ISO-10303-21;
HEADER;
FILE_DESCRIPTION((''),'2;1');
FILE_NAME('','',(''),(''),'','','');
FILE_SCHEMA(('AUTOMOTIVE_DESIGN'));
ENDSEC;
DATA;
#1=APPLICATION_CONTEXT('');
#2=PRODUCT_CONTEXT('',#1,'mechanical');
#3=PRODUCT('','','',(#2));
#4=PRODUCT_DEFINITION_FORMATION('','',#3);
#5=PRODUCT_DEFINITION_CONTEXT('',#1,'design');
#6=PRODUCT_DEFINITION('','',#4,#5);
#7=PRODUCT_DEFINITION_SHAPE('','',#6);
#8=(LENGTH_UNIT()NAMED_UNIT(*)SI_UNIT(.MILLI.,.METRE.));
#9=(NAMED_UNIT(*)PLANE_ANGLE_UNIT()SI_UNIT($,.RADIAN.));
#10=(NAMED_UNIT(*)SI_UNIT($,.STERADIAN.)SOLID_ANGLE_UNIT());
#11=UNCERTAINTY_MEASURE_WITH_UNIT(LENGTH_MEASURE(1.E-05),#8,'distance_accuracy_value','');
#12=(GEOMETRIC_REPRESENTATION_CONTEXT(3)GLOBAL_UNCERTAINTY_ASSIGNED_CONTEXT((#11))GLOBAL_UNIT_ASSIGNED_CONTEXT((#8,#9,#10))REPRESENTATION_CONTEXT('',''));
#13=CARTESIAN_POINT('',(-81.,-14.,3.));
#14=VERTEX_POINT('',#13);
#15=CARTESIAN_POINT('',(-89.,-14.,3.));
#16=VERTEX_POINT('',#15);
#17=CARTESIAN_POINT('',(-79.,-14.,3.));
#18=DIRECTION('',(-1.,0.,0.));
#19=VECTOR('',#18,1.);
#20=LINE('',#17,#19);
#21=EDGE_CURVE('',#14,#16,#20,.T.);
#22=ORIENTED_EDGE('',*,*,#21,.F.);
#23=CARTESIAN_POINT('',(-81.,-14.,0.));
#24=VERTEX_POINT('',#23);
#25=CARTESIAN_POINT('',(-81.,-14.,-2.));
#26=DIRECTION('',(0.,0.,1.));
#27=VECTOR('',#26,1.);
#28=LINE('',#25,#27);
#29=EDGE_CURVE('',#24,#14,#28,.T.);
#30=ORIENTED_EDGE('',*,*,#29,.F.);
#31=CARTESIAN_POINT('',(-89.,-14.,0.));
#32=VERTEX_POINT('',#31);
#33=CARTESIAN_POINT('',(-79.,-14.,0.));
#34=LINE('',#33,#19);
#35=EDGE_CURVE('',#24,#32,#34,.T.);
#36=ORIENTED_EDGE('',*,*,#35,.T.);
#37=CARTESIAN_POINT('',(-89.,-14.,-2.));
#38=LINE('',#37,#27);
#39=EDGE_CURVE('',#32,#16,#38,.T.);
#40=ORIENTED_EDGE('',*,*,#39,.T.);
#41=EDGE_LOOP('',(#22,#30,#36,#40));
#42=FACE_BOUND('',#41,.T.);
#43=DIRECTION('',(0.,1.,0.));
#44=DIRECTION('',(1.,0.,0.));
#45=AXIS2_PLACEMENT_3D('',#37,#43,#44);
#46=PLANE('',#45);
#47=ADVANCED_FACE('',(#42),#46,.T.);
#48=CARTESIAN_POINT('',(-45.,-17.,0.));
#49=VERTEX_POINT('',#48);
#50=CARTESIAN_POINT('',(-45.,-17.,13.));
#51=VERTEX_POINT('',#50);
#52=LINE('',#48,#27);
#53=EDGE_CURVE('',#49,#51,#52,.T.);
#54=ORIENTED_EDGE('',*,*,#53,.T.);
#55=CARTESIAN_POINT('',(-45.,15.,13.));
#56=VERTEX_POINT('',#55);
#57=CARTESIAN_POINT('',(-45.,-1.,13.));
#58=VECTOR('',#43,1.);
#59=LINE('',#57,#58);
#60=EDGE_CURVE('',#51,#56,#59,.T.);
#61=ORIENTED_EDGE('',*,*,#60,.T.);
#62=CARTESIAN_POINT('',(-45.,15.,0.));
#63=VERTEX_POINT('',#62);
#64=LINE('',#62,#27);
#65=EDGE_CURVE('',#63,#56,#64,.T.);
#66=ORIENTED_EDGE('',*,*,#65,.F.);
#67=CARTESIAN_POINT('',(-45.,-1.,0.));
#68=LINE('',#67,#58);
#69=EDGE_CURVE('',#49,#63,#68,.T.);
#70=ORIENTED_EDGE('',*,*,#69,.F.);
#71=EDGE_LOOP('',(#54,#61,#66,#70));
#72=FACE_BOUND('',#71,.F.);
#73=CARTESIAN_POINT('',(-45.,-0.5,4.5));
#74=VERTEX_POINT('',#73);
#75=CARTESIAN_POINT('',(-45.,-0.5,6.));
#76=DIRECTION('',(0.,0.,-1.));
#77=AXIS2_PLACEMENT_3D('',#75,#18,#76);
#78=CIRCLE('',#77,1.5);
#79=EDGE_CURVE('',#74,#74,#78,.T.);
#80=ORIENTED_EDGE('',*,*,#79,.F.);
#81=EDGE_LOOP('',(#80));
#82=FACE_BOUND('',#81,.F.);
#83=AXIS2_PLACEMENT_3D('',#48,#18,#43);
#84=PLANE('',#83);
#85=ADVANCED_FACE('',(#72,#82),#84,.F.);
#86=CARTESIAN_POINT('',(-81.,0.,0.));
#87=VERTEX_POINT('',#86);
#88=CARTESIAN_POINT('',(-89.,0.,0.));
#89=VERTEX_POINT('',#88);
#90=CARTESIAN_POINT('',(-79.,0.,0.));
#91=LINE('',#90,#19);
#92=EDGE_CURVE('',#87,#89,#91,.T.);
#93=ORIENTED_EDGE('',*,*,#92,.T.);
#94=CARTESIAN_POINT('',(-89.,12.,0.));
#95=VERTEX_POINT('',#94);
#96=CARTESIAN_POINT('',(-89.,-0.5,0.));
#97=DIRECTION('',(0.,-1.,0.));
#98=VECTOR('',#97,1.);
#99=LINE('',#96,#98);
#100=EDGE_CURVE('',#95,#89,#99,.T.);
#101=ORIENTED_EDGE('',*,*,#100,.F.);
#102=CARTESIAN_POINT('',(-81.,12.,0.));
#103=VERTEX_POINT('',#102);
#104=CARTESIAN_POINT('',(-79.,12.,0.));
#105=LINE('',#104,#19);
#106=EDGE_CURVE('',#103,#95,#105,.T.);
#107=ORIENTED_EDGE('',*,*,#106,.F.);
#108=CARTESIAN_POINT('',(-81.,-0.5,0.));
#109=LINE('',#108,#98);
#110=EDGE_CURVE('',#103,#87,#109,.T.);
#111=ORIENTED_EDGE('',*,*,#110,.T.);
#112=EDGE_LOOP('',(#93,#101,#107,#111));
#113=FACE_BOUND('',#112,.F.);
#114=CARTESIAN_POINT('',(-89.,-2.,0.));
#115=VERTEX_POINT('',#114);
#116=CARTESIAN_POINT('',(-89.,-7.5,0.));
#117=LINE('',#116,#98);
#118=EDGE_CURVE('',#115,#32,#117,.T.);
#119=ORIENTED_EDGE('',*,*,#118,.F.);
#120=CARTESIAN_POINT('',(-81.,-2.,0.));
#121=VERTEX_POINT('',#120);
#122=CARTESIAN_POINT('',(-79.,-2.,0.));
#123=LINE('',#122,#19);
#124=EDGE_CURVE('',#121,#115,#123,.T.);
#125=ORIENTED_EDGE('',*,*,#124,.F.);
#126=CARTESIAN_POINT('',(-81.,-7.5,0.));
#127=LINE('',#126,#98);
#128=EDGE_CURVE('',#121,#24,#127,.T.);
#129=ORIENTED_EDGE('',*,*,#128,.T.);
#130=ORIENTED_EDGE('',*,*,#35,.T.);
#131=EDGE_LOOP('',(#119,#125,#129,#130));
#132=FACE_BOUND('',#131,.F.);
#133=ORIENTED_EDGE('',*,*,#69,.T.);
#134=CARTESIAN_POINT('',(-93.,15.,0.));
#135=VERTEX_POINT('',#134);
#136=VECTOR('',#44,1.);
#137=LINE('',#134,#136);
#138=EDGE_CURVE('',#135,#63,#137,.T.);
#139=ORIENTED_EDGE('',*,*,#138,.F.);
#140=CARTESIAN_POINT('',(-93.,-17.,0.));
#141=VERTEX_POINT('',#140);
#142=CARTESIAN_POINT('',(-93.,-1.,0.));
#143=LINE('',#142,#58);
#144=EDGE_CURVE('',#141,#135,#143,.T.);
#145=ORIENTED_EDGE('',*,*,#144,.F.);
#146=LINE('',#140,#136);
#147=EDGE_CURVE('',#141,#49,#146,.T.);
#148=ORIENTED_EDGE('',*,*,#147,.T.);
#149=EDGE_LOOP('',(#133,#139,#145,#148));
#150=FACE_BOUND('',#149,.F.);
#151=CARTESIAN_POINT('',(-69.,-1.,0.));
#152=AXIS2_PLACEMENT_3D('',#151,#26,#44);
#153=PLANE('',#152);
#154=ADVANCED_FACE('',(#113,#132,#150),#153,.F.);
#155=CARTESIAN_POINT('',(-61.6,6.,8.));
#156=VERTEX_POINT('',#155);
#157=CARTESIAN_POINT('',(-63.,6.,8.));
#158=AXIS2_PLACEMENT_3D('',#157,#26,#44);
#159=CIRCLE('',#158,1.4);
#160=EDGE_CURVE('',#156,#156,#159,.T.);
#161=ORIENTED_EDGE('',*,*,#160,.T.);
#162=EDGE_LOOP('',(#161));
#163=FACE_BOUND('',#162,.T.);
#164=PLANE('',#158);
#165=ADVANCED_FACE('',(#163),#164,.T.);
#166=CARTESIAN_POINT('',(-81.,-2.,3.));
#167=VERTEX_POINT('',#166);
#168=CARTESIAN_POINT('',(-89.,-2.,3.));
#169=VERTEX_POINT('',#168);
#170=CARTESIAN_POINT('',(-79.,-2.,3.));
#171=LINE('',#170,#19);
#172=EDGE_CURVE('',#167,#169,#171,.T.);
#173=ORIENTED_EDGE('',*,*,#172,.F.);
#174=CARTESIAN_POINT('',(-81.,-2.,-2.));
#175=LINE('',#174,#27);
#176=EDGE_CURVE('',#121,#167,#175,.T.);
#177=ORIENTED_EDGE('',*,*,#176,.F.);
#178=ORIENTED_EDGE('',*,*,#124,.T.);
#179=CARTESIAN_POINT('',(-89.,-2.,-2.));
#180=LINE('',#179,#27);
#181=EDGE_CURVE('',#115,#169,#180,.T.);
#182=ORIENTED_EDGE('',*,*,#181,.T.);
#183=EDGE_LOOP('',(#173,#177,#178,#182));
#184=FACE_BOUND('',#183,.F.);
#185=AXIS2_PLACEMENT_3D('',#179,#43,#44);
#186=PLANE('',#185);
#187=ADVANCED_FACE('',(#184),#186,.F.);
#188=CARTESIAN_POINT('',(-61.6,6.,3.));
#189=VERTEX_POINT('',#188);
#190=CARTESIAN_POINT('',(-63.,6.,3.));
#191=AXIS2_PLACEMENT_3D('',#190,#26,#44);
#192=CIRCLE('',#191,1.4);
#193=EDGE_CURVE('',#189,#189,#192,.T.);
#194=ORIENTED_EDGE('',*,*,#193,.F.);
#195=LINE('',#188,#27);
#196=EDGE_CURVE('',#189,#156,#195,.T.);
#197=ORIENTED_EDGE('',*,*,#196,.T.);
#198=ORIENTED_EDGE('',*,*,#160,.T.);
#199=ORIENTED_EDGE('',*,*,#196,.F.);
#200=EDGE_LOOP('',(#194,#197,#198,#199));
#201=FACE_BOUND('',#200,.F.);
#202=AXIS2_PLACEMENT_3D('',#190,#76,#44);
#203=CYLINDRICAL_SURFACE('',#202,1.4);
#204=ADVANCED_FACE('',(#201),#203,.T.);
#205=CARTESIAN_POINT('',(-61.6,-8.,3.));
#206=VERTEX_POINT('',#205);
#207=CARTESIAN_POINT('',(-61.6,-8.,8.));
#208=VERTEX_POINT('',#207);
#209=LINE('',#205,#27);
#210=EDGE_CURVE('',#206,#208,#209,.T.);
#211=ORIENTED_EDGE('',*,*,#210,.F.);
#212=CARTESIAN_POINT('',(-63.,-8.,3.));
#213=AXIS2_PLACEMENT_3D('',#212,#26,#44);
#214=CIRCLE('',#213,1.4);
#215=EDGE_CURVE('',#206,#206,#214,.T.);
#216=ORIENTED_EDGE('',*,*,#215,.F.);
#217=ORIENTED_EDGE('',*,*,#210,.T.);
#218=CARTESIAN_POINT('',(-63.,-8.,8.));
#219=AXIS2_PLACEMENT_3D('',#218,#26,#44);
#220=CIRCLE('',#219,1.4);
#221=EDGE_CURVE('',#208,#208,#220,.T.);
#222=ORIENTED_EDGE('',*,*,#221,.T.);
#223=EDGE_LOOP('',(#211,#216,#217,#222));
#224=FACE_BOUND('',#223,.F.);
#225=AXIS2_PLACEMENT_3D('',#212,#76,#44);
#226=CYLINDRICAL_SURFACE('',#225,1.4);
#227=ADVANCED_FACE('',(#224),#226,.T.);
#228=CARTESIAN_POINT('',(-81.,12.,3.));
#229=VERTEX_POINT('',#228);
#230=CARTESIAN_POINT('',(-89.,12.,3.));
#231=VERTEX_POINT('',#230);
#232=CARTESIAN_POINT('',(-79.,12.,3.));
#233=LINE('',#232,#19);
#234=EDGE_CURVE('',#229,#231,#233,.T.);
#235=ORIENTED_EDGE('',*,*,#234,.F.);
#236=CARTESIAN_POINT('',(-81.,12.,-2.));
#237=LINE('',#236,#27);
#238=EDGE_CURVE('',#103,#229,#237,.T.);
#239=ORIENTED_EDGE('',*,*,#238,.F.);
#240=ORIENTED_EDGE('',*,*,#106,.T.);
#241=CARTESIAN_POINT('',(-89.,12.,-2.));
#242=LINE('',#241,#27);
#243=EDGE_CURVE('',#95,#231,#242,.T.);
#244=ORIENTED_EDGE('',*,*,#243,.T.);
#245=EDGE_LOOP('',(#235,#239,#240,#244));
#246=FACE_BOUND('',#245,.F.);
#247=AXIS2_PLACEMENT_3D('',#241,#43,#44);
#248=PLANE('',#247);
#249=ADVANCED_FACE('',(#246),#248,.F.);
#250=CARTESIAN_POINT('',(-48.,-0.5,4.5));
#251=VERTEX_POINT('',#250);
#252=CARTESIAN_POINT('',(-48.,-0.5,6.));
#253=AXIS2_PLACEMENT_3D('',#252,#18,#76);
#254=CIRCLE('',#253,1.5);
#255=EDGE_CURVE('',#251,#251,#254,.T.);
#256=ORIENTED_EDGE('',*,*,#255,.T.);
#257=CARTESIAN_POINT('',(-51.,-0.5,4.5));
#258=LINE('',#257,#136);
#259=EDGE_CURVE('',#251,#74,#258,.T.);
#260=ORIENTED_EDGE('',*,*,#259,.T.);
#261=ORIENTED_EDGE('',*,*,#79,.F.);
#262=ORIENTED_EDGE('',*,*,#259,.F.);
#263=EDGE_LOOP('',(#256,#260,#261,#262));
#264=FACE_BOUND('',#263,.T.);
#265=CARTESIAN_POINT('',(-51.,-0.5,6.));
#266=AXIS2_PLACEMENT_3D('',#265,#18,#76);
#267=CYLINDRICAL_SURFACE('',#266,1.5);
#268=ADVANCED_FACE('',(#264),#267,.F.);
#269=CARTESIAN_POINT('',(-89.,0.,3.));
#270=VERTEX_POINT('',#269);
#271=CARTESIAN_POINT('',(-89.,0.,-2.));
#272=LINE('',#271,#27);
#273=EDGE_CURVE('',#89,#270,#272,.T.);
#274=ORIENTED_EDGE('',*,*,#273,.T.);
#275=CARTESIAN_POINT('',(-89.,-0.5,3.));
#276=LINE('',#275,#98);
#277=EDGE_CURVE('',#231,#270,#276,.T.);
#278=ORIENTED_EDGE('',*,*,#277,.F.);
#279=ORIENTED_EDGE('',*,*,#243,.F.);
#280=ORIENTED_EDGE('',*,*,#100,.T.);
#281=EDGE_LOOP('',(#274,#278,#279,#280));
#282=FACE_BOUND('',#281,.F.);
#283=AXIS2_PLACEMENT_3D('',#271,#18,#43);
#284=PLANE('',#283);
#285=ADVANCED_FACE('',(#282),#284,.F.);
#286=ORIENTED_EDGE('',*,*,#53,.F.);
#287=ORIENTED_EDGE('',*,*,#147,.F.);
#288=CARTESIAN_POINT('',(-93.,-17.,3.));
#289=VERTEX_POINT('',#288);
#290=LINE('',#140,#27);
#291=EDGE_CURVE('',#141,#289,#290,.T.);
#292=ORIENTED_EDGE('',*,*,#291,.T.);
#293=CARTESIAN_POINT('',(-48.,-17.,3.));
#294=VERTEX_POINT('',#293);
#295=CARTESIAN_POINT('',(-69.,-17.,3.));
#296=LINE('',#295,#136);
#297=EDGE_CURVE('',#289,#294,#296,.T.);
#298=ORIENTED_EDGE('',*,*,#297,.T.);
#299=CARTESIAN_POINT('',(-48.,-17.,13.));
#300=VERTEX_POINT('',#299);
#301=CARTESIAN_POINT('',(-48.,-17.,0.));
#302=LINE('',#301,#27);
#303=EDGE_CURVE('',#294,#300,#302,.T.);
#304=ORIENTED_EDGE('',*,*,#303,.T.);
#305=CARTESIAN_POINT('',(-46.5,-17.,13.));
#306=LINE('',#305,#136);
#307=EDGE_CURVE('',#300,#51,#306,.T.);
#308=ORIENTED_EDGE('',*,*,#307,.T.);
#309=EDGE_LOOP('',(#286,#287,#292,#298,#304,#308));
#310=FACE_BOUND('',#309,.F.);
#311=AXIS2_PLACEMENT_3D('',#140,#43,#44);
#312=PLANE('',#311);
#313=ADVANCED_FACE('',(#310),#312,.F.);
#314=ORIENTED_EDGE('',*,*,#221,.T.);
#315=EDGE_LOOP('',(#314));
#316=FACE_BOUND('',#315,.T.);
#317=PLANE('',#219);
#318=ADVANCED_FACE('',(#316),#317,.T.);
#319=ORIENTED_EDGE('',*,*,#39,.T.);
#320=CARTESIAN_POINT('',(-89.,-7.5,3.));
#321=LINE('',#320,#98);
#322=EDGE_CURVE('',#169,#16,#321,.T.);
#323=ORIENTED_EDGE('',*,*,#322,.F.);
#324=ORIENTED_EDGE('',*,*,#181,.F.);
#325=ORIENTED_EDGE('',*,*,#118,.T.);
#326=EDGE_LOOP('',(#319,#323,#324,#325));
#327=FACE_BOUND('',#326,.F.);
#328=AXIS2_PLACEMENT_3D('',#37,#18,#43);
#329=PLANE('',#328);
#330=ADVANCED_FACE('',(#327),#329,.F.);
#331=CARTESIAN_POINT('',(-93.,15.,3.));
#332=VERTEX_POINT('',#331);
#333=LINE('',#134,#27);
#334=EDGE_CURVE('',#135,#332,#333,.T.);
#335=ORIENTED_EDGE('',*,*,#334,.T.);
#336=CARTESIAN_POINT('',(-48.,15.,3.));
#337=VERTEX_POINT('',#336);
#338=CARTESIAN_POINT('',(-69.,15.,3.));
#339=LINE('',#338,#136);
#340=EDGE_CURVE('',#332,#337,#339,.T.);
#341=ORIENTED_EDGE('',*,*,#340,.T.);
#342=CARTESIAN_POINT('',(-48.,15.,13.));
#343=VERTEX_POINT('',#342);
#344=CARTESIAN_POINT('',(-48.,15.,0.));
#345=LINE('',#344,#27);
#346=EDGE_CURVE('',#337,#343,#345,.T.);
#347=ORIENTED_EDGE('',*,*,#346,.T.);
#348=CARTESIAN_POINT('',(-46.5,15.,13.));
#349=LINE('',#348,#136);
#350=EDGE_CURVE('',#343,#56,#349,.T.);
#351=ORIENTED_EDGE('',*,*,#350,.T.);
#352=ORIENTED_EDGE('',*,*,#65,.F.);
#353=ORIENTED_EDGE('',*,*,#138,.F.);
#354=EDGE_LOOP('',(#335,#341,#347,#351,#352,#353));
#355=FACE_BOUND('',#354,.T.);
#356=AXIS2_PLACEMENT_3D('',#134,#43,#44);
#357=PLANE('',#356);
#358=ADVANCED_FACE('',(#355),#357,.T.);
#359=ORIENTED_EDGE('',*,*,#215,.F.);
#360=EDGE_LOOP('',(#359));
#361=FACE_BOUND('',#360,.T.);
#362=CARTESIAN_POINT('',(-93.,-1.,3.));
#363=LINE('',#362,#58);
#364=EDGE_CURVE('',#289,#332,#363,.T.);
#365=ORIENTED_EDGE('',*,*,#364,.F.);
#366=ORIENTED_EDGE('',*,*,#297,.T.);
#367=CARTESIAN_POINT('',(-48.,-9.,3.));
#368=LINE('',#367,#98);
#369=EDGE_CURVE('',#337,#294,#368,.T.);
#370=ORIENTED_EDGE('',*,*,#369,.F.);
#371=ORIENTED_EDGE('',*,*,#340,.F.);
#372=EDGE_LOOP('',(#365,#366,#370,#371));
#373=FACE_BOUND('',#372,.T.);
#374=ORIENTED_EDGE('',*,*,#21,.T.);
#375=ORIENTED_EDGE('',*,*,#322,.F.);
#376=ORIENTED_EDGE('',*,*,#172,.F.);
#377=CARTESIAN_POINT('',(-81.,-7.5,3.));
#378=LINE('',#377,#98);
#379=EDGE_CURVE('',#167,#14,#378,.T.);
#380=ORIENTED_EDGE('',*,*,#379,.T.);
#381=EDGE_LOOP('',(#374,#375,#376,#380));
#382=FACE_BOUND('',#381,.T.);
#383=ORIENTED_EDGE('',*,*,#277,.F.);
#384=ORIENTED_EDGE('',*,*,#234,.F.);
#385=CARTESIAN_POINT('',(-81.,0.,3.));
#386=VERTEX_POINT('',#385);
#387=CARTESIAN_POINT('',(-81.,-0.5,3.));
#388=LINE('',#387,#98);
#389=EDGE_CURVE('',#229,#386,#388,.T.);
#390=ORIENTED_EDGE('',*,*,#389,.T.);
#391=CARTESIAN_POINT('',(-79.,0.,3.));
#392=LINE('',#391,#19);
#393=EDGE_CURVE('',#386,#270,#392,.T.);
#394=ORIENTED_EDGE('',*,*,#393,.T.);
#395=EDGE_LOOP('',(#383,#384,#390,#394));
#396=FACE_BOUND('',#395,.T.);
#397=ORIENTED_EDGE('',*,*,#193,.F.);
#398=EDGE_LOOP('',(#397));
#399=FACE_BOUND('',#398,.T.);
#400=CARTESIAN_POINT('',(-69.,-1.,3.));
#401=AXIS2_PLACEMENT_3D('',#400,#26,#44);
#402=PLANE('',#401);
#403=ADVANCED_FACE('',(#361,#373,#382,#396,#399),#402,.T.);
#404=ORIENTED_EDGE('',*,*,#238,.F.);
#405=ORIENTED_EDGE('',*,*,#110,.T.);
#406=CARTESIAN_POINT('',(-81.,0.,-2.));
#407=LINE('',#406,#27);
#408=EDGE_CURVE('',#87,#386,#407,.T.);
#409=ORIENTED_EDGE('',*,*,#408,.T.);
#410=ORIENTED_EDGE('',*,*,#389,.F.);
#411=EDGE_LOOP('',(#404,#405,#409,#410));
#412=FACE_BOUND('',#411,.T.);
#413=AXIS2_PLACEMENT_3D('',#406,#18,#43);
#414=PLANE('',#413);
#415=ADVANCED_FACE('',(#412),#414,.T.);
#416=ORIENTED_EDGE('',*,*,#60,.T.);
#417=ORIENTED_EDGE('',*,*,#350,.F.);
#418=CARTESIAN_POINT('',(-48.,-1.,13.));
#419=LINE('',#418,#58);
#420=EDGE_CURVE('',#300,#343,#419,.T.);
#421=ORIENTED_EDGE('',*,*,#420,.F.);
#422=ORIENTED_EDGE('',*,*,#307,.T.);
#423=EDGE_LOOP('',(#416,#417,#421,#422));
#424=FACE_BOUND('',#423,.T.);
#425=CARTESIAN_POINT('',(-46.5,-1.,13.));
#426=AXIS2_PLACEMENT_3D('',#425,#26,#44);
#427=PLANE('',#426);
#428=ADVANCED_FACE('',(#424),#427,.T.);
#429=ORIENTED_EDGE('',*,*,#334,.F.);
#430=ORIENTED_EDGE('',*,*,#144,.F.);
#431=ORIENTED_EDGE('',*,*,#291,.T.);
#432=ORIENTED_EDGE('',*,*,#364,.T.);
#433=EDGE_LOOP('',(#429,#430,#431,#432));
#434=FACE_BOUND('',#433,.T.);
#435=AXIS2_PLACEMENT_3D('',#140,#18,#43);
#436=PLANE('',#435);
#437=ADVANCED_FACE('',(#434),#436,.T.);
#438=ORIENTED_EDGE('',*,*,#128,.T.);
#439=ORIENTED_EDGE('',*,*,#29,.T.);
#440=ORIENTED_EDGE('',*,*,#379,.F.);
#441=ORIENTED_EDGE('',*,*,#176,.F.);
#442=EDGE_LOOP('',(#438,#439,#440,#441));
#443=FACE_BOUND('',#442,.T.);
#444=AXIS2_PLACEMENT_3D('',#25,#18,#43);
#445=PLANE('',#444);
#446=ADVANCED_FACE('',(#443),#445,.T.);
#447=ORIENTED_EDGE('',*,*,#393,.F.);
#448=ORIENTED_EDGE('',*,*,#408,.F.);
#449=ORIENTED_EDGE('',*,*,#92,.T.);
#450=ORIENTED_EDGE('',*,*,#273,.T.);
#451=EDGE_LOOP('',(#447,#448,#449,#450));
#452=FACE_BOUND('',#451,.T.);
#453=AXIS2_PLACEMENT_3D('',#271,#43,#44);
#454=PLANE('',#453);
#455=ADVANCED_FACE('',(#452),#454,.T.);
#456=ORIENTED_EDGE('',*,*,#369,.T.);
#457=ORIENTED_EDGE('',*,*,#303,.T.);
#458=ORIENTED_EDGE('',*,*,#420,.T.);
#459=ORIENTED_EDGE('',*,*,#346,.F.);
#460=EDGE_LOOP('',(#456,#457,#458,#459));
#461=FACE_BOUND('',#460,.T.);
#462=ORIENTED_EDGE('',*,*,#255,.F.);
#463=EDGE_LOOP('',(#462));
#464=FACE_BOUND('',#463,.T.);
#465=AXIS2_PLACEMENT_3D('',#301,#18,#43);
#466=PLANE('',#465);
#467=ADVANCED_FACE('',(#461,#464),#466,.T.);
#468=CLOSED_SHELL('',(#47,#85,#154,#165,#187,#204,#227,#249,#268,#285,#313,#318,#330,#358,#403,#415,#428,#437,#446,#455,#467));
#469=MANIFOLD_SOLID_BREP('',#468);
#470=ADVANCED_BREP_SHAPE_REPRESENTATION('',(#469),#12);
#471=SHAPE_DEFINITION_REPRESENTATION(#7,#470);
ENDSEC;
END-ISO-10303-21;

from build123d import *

# Parameters (mm, degrees)
CYLINDER032_R           = 1.4
CYLINDER032_DEPTH       = 5
CYLINDER033_R           = 1.4
CYLINDER033_DEPTH       = 5
BOX046_W                = 8
BOX046_H                = 12
BOX046_DEPTH            = 10
BOX045_W                = 8
BOX045_H                = 12
BOX045_DEPTH            = 10
CYLINDER031_R           = 1.5
CYLINDER031_DEPTH       = 10
CYLINDER031_PITCH_ANGLE = 90
BOX044_W                = 3
BOX044_H                = 32
BOX044_DEPTH            = 13
BOX043_W                = 48
BOX043_H                = 32
BOX043_DEPTH            = 3


with BuildPart() as cilindro032:
    # Cylinder032 → Cylinder032 (new body)
    with BuildSketch(Plane(origin=(-63, 6, 3), x_dir=(1, 0, 0), z_dir=(0, 0, 1))):
        Circle(CYLINDER032_R)
    extrude(amount=CYLINDER032_DEPTH)


with BuildPart() as cilindro033:
    # Cylinder033 → Cylinder033 (new body)
    with BuildSketch(Plane(origin=(-63, -8, 3), x_dir=(1, 0, 0), z_dir=(0, 0, 1))):
        Circle(CYLINDER033_R)
    extrude(amount=CYLINDER033_DEPTH)


with BuildPart() as cubo040:
    # Box046 → Box046 (new body)
    with BuildSketch(Plane(origin=(-89, 0, -2), x_dir=(1, 0, 0), z_dir=(0, 0, 1))):
        with Locations((4, 6)):
            Rectangle(BOX046_W, BOX046_H)
    extrude(amount=BOX046_DEPTH)


with BuildPart() as cubo039:
    # Box045 → Box045 (new body)
    with BuildSketch(Plane(origin=(-89, -14, -2), x_dir=(1, 0, 0), z_dir=(0, 0, 1))):
        with Locations((4, 6)):
            Rectangle(BOX045_W, BOX045_H)
    extrude(amount=BOX045_DEPTH)


with BuildPart() as cilindro031:
    # Cylinder031 → Cylinder031 (new body)
    with BuildSketch(Plane.XY):
        Circle(CYLINDER031_R)
    extrude(amount=CYLINDER031_DEPTH)


with BuildPart() as cilindro031_1:
    # Cylinder031 pitch: moved
    add(cilindro031.part.rotate(Axis((0, 0, 0), (0, 1, 0)), CYLINDER031_PITCH_ANGLE))


with BuildPart() as cilindro031_2:
    # Cylinder031 placement: moved
    add(cilindro031_1.part.moved(Location((-51, -0.5, 6))))


with BuildPart() as cubo038:
    # Box044 → Box044 (new body)
    with BuildSketch(Plane(origin=(-48, -17, 0), x_dir=(1, 0, 0), z_dir=(0, 0, 1))):
        with Locations((1.5, 16)):
            Rectangle(BOX044_W, BOX044_H)
    extrude(amount=BOX044_DEPTH)


with BuildPart() as soportesensorestcrt5000:
    # Box043 → Box043 (new body)
    with BuildSketch(Plane(origin=(-93, -17, 0), x_dir=(1, 0, 0), z_dir=(0, 0, 1))):
        with Locations((24, 16)):
            Rectangle(BOX043_W, BOX043_H)
    extrude(amount=BOX043_DEPTH)

    # Fusion013: union Cubo038
    add(cubo038.part)

    # Cut056: cut Cilindro031
    add(cilindro031_2.part, mode=Mode.SUBTRACT)

    # Cut057: cut Cubo039
    add(cubo039.part, mode=Mode.SUBTRACT)

    # Cut058: cut Cubo040
    add(cubo040.part, mode=Mode.SUBTRACT)

    # Fusion014: union Cilindro032, Cilindro033
    add(cilindro032.part)
    add(cilindro033.part)


solid = soportesensorestcrt5000.part
